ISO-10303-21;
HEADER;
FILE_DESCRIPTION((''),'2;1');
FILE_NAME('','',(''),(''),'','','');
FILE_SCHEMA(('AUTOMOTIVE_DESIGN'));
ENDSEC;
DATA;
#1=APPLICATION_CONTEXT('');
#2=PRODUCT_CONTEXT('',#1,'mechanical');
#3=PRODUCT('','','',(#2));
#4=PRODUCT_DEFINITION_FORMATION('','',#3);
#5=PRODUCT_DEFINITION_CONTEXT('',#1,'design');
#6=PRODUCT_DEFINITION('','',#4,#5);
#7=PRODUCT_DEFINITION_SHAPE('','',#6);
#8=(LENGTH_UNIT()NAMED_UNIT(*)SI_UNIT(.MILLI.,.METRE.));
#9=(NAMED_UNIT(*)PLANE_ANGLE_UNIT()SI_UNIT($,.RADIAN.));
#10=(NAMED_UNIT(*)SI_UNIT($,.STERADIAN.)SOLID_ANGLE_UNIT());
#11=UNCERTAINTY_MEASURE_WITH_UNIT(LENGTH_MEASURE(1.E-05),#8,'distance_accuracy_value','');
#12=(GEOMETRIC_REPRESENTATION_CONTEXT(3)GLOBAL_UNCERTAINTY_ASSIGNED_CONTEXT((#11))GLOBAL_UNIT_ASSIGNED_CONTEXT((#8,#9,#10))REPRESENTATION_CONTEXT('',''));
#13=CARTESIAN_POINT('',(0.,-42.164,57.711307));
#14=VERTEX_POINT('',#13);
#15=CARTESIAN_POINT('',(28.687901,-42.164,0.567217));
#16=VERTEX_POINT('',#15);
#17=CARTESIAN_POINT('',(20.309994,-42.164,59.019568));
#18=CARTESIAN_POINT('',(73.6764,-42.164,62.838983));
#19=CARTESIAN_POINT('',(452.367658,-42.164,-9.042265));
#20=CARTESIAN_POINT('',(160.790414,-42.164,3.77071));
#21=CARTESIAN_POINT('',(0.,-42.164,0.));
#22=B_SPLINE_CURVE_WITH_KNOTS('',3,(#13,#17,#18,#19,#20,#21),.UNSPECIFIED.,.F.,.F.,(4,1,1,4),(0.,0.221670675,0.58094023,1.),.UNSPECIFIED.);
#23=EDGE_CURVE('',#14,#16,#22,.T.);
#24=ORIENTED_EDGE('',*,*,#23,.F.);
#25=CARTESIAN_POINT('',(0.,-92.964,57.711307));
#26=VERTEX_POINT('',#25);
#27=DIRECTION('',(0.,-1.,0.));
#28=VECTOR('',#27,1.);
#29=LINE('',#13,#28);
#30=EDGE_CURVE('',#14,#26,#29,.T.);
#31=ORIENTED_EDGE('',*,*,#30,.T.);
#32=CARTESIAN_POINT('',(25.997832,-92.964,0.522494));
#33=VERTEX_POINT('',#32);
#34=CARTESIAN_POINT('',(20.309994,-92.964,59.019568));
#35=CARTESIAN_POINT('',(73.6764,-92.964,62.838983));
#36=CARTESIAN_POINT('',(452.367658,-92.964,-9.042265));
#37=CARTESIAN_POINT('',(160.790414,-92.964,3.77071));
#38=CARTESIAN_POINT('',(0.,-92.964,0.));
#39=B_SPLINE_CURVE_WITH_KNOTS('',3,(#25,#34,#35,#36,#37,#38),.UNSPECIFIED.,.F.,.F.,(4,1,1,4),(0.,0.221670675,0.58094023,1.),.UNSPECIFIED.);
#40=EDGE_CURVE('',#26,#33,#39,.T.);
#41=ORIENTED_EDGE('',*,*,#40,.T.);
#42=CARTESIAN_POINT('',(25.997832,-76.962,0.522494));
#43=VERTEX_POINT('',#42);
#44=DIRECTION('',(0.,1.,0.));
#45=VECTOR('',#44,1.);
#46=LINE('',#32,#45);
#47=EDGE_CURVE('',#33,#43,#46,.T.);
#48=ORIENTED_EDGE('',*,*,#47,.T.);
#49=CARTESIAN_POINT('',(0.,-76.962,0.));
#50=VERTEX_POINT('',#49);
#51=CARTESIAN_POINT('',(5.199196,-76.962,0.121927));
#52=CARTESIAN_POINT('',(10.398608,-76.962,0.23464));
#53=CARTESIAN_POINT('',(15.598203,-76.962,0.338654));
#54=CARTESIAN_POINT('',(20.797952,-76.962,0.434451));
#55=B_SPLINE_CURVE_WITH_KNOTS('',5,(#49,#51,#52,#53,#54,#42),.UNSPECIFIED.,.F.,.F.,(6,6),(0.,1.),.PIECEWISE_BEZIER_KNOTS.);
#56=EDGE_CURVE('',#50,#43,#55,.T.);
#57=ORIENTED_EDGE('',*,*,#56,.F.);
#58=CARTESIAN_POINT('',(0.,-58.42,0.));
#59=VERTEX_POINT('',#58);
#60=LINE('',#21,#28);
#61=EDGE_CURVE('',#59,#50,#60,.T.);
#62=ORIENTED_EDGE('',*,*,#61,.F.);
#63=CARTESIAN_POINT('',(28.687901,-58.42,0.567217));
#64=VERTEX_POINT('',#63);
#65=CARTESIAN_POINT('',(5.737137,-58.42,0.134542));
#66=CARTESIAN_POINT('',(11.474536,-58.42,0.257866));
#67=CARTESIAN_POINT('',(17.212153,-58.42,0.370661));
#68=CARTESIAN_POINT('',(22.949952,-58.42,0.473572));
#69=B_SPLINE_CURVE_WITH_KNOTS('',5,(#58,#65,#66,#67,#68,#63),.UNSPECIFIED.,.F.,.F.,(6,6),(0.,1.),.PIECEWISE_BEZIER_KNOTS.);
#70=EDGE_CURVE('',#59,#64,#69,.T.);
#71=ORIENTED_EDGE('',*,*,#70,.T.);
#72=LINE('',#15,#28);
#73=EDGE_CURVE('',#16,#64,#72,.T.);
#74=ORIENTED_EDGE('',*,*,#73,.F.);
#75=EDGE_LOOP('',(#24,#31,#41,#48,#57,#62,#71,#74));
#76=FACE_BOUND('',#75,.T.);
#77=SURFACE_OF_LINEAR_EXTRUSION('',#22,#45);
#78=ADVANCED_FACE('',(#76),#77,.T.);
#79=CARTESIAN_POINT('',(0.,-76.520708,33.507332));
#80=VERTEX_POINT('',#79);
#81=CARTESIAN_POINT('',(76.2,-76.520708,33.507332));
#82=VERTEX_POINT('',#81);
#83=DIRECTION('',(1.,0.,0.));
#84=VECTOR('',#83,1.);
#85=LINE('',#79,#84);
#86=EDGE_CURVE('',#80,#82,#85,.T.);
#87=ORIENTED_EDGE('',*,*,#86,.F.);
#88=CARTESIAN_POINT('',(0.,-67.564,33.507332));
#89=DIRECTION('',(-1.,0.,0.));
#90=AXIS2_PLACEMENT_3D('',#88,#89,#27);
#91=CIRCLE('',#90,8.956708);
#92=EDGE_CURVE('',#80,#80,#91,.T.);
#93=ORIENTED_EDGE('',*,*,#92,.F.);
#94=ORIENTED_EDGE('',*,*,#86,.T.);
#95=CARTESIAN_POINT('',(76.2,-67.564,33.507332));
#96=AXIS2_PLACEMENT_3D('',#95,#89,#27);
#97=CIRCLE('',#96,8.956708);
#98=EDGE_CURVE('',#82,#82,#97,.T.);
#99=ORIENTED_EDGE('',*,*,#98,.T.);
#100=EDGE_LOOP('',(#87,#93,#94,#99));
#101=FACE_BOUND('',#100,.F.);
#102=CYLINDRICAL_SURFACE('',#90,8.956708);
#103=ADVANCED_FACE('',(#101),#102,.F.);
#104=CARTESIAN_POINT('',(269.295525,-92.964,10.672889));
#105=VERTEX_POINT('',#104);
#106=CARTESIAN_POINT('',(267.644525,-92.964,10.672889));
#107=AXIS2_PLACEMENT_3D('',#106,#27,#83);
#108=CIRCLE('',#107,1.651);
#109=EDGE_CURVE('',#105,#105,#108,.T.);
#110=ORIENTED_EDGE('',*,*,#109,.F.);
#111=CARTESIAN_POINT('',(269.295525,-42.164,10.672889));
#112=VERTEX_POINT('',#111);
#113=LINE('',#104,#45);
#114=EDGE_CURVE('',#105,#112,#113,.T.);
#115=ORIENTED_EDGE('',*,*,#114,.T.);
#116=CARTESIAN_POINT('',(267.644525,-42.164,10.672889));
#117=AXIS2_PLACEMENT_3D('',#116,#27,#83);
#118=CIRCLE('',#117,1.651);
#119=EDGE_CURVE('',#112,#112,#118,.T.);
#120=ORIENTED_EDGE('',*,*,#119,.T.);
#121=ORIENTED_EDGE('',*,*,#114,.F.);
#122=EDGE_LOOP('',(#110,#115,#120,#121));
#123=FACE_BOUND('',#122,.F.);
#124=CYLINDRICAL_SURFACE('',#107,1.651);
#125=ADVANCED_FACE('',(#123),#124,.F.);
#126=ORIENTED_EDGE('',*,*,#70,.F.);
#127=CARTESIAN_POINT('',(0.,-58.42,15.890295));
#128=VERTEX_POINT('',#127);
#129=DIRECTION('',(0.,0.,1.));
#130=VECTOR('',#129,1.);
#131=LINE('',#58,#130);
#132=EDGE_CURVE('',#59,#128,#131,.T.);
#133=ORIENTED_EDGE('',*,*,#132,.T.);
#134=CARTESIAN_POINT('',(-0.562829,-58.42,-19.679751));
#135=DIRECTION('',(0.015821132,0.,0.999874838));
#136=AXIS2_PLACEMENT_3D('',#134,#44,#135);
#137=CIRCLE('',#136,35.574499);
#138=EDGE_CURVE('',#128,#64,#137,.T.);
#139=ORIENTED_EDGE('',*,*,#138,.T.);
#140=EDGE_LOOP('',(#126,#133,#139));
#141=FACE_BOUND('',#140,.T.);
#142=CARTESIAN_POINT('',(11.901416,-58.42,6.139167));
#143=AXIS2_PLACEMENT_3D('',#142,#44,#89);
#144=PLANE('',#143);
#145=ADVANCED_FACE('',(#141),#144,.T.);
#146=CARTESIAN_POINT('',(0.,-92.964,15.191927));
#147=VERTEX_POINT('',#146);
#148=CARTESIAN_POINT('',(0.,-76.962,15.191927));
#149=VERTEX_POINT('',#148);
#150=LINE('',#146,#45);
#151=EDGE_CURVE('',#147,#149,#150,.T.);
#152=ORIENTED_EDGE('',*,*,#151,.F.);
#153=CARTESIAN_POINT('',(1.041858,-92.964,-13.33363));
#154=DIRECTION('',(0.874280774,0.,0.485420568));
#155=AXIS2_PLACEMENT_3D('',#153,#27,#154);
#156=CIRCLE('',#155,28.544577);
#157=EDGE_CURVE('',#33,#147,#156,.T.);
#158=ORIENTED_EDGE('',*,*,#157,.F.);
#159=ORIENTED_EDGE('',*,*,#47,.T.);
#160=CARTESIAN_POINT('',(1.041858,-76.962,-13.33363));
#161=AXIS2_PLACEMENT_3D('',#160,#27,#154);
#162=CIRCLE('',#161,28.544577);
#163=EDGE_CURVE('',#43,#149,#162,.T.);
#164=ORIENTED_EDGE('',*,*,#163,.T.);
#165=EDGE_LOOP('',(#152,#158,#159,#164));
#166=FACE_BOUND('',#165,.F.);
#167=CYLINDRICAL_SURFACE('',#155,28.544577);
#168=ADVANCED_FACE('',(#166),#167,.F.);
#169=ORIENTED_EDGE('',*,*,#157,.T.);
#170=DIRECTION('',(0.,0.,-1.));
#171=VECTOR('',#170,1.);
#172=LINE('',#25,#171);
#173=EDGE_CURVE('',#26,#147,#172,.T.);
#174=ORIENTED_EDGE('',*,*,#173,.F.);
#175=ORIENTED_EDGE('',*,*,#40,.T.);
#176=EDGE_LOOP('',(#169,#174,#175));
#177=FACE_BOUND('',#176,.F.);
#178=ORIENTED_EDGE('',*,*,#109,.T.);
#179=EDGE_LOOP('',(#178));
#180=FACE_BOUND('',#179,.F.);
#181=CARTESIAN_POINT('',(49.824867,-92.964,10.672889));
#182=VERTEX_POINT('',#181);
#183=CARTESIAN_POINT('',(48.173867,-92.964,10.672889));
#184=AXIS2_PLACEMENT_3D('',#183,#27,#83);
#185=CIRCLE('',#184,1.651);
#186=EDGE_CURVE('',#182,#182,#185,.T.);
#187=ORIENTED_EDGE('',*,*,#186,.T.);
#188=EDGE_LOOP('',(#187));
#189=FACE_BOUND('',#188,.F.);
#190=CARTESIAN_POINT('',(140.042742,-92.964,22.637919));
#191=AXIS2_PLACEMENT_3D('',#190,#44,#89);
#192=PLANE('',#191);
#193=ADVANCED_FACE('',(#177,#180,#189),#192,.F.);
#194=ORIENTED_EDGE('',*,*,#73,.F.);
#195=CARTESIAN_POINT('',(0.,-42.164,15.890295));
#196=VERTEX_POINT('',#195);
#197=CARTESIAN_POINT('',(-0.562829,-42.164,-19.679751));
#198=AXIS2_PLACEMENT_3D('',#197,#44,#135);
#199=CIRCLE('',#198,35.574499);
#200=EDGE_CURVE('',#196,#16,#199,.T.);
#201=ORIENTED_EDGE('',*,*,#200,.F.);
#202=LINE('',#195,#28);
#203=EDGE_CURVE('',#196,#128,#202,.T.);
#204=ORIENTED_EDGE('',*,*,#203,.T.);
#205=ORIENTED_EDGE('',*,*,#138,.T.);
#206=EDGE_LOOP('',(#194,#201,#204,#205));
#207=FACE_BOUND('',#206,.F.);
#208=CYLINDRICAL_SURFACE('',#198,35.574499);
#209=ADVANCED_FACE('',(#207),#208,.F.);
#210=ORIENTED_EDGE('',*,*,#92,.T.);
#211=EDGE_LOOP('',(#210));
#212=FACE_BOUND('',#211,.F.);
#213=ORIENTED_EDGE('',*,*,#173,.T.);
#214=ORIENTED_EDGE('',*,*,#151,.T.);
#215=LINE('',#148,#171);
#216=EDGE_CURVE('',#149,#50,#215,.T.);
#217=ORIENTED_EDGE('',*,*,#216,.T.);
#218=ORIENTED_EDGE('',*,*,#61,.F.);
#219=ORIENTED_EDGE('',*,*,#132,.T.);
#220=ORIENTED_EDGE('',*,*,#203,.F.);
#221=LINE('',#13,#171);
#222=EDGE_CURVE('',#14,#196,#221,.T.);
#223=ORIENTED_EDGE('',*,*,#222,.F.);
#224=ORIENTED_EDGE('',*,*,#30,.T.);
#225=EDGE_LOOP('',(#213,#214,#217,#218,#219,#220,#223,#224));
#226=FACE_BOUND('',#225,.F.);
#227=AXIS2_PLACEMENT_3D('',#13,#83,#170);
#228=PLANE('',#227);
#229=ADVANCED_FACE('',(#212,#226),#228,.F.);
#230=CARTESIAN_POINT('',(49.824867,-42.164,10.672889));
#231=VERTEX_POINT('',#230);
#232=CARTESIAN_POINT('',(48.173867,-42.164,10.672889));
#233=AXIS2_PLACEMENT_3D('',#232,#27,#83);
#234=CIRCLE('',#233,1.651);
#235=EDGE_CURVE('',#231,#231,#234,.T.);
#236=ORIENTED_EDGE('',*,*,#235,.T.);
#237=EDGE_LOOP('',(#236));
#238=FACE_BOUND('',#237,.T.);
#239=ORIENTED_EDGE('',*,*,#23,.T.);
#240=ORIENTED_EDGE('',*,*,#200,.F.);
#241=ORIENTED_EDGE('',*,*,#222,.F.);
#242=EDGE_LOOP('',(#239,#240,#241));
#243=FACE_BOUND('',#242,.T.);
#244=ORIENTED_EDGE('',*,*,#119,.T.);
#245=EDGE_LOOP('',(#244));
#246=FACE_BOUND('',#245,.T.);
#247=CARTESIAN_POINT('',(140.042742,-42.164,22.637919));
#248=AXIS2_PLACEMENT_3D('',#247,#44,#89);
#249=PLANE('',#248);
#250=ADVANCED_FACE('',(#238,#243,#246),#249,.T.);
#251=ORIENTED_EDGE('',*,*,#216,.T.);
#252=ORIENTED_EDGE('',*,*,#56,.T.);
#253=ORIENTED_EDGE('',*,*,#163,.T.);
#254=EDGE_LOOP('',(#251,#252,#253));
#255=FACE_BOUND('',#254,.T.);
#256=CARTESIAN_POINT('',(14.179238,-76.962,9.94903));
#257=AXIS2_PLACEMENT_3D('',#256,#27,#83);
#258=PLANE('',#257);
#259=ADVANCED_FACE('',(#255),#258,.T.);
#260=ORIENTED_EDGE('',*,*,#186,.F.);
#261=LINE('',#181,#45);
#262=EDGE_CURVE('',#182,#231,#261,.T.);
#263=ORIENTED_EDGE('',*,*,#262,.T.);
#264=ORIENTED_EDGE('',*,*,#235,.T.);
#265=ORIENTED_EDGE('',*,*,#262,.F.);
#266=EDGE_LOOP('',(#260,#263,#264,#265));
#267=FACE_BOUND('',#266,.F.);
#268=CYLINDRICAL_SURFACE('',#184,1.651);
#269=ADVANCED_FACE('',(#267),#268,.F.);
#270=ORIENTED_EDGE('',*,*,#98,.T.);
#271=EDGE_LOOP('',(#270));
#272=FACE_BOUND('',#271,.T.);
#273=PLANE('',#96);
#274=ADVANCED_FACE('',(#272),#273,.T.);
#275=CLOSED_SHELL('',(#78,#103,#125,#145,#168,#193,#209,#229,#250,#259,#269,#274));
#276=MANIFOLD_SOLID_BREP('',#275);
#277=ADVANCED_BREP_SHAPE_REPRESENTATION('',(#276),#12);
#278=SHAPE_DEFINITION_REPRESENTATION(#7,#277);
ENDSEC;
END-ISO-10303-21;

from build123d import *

# Parameters (mm, degrees)
F1_DEPTH  = 42.164
F3_DEPTH  = 50.8
F5_R      = 8.9567079673
F6_DEPTH  = 76.2
F8_DEPTH  = 16.002
F10_DEPTH = 16.256
F11_R     = 1.651
F12_DEPTH = 59.944
F13_DEPTH = 89.916


with BuildPart() as f1:
    # F0 (on Front) → F1 (new body)
    with BuildSketch(Plane.XZ):
        Polygon((0, 69.088), (0, 0), (304.8, 0), (304.8, 19.812), align=None)
    extrude(amount=F1_DEPTH)


with BuildPart() as f3:
    # F2 (on face) → F3 (new body)
    with BuildSketch(Plane.XZ.offset(42.164)):
        with BuildLine():
            add(Edge.make_bspline(
                [(0, 57.7113069594), (20.3099937027, 59.0195676413), (73.6764002437, 62.8389829446), (452.3676579415, -9.0422647295), (160.7904136181, 3.7707102019), (0, 0)],
                knots=[0, 0, 0, 0, 0.2216706751, 0.58094023, 1, 1, 1, 1], degree=3))
            Line((0, 57.7113069594), (0, 0))
        make_face()
    extrude(amount=F3_DEPTH)

    # F5 (on face) → F6 (cut)
    with BuildSketch(Plane(origin=(0, 0, 0), x_dir=(0, -1, 0), z_dir=(-1, 0, 0))):
        with Locations((67.564, 33.5073322058)):
            Circle(F5_R)
    extrude(amount=-F6_DEPTH, mode=Mode.SUBTRACT)

    # F7 (on face) → F8 (cut)
    with BuildSketch(Plane.XZ.offset(92.964)):
        with BuildLine():
            ThreePointArc((0, 15.1919266209), (14.9223036814, 11.2659249778), (25.9978323859, 0.5224944281))
            ThreePointArc((25.9978323859, 0.5224944281), (15.0693060862, 11.5264493001), (0, 15.1919266209))
        make_face()
        with BuildLine():
            Line((0, 0), (25.9978323859, 0.5224944281))
            ThreePointArc((25.9978323859, 0.5224944281), (14.9223036814, 11.2659249778), (0, 15.1919266209))
            Line((0, 15.1919266209), (0, 0))
        make_face()
    extrude(amount=-F8_DEPTH, mode=Mode.SUBTRACT)

    # F9 (on face) → F10 (cut)
    with BuildSketch(Plane(origin=(0, -42.164, 0), x_dir=(-1, 0, 0), z_dir=(0, 1, 0))):
        with BuildLine():
            Line((0, 0), (0, 15.890294686))
            ThreePointArc((0, 15.890294686), (-16.1975784719, 11.6991220878), (-28.6879014286, 0.5672171054))
            Line((-28.6879014286, 0.5672171054), (0, 0))
        make_face()
    extrude(amount=-F10_DEPTH, mode=Mode.SUBTRACT)

    # F11 (on face) → F12 (cut)
    with BuildSketch(Plane.XZ.offset(92.964)):
        with Locations((48.173867166, 10.6728887185)):
            Circle(F11_R)
        with Locations((267.6445245743, 10.6728887185)):
            Circle(F11_R)
    extrude(amount=-F12_DEPTH, mode=Mode.SUBTRACT)

    # F11 (on face) → F13 (cut)
    with BuildSketch(Plane.XZ.offset(92.964)):
        with Locations((48.173867166, 10.6728887185)):
            Circle(F11_R)
        with Locations((267.6445245743, 10.6728887185)):
            Circle(F11_R)
    extrude(amount=-F13_DEPTH, mode=Mode.SUBTRACT)


solid = f3.part
